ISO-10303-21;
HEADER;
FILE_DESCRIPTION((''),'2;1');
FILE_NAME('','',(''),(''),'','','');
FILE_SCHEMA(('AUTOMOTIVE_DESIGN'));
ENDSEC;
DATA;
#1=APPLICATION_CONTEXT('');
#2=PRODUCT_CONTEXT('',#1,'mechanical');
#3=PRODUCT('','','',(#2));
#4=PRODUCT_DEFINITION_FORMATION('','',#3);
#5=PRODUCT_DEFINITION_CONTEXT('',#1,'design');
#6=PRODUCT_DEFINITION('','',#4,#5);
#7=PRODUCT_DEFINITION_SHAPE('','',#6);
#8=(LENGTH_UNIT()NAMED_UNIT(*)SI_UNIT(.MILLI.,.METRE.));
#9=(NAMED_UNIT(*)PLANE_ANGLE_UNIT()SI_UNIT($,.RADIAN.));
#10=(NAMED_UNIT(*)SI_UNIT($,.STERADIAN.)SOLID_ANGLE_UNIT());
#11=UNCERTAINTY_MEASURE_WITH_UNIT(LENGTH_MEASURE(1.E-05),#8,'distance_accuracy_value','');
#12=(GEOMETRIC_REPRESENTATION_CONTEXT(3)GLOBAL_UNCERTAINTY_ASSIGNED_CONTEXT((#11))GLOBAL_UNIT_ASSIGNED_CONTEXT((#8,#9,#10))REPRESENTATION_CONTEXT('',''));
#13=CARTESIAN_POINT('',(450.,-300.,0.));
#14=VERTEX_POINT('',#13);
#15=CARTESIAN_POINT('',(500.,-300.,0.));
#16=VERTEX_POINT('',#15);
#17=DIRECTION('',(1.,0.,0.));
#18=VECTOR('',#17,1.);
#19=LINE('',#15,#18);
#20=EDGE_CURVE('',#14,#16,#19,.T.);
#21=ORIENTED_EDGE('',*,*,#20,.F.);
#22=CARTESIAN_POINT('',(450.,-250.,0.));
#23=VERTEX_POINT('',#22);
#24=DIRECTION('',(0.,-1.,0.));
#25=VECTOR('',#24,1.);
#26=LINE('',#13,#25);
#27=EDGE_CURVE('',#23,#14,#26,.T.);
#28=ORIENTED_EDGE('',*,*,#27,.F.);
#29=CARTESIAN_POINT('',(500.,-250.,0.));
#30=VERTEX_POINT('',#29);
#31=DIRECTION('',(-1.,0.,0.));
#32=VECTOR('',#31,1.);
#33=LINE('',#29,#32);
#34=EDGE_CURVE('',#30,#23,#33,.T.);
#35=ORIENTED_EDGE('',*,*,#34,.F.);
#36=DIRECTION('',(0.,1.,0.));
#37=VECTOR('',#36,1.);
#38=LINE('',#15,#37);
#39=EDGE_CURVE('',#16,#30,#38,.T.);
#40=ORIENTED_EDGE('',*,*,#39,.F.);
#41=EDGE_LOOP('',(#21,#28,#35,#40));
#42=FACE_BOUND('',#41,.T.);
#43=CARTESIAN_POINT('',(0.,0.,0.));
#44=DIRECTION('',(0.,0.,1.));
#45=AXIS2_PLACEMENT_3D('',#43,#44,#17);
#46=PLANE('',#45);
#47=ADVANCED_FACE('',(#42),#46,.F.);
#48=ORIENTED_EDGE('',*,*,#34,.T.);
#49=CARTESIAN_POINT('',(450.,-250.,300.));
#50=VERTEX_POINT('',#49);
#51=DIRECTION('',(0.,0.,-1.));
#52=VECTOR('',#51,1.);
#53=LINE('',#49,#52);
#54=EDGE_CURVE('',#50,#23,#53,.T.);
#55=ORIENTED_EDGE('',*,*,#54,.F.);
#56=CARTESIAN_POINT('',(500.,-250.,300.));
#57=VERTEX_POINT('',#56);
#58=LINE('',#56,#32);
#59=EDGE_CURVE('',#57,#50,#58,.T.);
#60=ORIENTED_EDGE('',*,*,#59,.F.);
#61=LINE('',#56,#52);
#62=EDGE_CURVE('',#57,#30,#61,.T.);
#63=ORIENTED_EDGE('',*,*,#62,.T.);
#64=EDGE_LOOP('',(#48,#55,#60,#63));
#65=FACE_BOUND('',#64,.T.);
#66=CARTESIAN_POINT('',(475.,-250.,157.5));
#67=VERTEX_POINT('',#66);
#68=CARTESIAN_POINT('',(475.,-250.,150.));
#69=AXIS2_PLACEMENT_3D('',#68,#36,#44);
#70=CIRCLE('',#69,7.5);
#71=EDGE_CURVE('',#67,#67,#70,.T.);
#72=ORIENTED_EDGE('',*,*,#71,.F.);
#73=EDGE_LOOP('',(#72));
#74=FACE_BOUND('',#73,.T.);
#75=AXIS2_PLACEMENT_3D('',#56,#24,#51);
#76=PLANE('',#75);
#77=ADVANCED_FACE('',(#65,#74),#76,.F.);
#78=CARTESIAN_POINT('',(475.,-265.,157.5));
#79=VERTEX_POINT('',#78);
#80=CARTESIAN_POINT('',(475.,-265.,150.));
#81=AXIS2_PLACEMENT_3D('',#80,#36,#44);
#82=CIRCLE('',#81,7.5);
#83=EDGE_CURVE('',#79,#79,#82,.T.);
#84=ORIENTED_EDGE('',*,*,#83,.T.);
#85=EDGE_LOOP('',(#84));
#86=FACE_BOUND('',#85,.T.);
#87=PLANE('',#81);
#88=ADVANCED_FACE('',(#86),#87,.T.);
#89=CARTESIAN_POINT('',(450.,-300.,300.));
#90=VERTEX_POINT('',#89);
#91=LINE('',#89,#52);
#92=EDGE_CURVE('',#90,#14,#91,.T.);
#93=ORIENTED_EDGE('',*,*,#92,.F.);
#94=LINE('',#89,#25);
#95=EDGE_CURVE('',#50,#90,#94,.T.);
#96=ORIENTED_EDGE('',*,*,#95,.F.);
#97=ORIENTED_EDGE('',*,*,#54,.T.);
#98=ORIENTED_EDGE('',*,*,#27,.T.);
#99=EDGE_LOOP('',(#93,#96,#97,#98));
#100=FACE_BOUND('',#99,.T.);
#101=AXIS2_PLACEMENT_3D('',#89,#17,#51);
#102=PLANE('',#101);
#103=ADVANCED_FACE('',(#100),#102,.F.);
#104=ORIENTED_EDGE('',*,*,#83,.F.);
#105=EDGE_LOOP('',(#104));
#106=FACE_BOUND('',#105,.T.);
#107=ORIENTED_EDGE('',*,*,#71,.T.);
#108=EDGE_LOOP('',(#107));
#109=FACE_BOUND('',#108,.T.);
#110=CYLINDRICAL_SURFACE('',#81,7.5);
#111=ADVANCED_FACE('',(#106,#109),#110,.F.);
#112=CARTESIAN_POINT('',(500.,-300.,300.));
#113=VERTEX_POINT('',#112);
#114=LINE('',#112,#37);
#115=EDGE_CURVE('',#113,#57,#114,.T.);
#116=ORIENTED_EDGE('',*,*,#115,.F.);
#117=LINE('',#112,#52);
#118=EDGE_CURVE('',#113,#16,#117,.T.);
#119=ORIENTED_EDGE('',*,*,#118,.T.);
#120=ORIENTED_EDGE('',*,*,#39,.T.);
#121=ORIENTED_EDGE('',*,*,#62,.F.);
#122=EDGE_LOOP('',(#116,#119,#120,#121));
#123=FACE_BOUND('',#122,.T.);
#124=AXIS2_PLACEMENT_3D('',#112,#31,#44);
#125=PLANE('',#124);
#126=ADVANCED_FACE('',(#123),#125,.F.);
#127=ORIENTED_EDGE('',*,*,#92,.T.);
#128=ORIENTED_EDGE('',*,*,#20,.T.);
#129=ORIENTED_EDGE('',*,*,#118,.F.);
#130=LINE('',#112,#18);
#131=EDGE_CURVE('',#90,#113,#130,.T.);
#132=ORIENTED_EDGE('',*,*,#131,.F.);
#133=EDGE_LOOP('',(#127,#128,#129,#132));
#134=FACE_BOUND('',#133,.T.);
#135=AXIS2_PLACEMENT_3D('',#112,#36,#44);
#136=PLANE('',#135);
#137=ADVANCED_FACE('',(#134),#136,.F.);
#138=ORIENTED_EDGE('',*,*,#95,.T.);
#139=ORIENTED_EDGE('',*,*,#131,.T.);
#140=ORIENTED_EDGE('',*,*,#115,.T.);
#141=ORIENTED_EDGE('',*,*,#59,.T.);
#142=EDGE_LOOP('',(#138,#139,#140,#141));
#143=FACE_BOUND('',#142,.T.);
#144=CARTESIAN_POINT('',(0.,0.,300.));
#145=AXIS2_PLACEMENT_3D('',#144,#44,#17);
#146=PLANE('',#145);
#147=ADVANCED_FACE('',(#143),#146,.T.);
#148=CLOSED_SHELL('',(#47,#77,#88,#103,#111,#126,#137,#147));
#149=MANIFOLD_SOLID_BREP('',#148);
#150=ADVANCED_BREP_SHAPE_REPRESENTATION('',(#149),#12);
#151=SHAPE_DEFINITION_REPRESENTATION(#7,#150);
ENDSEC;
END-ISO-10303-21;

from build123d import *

# Parameters (mm, degrees)
SKETCH1_W           = 50
SKETCH1_H           = 50
BOSS_EXTRUDE1_DEPTH = 300
SKETCH2_R           = 7.5
CUT_EXTRUDE1_DEPTH  = 15


with BuildPart() as part:
    # Sketch1 → Boss-Extrude1 (new body)
    with BuildSketch(Plane.XY):
        with Locations((475, -275)):
            Rectangle(SKETCH1_W, SKETCH1_H)
    extrude(amount=BOSS_EXTRUDE1_DEPTH)

    # Sketch2 → Cut-Extrude1 (cut)
    with BuildSketch(Plane(origin=(0, -250, 0), x_dir=(1, 0, 0), z_dir=(0, 1, 0))):
        with Locations((475, -150)):
            Circle(SKETCH2_R)
    extrude(amount=-CUT_EXTRUDE1_DEPTH, mode=Mode.SUBTRACT)


solid = part.part
